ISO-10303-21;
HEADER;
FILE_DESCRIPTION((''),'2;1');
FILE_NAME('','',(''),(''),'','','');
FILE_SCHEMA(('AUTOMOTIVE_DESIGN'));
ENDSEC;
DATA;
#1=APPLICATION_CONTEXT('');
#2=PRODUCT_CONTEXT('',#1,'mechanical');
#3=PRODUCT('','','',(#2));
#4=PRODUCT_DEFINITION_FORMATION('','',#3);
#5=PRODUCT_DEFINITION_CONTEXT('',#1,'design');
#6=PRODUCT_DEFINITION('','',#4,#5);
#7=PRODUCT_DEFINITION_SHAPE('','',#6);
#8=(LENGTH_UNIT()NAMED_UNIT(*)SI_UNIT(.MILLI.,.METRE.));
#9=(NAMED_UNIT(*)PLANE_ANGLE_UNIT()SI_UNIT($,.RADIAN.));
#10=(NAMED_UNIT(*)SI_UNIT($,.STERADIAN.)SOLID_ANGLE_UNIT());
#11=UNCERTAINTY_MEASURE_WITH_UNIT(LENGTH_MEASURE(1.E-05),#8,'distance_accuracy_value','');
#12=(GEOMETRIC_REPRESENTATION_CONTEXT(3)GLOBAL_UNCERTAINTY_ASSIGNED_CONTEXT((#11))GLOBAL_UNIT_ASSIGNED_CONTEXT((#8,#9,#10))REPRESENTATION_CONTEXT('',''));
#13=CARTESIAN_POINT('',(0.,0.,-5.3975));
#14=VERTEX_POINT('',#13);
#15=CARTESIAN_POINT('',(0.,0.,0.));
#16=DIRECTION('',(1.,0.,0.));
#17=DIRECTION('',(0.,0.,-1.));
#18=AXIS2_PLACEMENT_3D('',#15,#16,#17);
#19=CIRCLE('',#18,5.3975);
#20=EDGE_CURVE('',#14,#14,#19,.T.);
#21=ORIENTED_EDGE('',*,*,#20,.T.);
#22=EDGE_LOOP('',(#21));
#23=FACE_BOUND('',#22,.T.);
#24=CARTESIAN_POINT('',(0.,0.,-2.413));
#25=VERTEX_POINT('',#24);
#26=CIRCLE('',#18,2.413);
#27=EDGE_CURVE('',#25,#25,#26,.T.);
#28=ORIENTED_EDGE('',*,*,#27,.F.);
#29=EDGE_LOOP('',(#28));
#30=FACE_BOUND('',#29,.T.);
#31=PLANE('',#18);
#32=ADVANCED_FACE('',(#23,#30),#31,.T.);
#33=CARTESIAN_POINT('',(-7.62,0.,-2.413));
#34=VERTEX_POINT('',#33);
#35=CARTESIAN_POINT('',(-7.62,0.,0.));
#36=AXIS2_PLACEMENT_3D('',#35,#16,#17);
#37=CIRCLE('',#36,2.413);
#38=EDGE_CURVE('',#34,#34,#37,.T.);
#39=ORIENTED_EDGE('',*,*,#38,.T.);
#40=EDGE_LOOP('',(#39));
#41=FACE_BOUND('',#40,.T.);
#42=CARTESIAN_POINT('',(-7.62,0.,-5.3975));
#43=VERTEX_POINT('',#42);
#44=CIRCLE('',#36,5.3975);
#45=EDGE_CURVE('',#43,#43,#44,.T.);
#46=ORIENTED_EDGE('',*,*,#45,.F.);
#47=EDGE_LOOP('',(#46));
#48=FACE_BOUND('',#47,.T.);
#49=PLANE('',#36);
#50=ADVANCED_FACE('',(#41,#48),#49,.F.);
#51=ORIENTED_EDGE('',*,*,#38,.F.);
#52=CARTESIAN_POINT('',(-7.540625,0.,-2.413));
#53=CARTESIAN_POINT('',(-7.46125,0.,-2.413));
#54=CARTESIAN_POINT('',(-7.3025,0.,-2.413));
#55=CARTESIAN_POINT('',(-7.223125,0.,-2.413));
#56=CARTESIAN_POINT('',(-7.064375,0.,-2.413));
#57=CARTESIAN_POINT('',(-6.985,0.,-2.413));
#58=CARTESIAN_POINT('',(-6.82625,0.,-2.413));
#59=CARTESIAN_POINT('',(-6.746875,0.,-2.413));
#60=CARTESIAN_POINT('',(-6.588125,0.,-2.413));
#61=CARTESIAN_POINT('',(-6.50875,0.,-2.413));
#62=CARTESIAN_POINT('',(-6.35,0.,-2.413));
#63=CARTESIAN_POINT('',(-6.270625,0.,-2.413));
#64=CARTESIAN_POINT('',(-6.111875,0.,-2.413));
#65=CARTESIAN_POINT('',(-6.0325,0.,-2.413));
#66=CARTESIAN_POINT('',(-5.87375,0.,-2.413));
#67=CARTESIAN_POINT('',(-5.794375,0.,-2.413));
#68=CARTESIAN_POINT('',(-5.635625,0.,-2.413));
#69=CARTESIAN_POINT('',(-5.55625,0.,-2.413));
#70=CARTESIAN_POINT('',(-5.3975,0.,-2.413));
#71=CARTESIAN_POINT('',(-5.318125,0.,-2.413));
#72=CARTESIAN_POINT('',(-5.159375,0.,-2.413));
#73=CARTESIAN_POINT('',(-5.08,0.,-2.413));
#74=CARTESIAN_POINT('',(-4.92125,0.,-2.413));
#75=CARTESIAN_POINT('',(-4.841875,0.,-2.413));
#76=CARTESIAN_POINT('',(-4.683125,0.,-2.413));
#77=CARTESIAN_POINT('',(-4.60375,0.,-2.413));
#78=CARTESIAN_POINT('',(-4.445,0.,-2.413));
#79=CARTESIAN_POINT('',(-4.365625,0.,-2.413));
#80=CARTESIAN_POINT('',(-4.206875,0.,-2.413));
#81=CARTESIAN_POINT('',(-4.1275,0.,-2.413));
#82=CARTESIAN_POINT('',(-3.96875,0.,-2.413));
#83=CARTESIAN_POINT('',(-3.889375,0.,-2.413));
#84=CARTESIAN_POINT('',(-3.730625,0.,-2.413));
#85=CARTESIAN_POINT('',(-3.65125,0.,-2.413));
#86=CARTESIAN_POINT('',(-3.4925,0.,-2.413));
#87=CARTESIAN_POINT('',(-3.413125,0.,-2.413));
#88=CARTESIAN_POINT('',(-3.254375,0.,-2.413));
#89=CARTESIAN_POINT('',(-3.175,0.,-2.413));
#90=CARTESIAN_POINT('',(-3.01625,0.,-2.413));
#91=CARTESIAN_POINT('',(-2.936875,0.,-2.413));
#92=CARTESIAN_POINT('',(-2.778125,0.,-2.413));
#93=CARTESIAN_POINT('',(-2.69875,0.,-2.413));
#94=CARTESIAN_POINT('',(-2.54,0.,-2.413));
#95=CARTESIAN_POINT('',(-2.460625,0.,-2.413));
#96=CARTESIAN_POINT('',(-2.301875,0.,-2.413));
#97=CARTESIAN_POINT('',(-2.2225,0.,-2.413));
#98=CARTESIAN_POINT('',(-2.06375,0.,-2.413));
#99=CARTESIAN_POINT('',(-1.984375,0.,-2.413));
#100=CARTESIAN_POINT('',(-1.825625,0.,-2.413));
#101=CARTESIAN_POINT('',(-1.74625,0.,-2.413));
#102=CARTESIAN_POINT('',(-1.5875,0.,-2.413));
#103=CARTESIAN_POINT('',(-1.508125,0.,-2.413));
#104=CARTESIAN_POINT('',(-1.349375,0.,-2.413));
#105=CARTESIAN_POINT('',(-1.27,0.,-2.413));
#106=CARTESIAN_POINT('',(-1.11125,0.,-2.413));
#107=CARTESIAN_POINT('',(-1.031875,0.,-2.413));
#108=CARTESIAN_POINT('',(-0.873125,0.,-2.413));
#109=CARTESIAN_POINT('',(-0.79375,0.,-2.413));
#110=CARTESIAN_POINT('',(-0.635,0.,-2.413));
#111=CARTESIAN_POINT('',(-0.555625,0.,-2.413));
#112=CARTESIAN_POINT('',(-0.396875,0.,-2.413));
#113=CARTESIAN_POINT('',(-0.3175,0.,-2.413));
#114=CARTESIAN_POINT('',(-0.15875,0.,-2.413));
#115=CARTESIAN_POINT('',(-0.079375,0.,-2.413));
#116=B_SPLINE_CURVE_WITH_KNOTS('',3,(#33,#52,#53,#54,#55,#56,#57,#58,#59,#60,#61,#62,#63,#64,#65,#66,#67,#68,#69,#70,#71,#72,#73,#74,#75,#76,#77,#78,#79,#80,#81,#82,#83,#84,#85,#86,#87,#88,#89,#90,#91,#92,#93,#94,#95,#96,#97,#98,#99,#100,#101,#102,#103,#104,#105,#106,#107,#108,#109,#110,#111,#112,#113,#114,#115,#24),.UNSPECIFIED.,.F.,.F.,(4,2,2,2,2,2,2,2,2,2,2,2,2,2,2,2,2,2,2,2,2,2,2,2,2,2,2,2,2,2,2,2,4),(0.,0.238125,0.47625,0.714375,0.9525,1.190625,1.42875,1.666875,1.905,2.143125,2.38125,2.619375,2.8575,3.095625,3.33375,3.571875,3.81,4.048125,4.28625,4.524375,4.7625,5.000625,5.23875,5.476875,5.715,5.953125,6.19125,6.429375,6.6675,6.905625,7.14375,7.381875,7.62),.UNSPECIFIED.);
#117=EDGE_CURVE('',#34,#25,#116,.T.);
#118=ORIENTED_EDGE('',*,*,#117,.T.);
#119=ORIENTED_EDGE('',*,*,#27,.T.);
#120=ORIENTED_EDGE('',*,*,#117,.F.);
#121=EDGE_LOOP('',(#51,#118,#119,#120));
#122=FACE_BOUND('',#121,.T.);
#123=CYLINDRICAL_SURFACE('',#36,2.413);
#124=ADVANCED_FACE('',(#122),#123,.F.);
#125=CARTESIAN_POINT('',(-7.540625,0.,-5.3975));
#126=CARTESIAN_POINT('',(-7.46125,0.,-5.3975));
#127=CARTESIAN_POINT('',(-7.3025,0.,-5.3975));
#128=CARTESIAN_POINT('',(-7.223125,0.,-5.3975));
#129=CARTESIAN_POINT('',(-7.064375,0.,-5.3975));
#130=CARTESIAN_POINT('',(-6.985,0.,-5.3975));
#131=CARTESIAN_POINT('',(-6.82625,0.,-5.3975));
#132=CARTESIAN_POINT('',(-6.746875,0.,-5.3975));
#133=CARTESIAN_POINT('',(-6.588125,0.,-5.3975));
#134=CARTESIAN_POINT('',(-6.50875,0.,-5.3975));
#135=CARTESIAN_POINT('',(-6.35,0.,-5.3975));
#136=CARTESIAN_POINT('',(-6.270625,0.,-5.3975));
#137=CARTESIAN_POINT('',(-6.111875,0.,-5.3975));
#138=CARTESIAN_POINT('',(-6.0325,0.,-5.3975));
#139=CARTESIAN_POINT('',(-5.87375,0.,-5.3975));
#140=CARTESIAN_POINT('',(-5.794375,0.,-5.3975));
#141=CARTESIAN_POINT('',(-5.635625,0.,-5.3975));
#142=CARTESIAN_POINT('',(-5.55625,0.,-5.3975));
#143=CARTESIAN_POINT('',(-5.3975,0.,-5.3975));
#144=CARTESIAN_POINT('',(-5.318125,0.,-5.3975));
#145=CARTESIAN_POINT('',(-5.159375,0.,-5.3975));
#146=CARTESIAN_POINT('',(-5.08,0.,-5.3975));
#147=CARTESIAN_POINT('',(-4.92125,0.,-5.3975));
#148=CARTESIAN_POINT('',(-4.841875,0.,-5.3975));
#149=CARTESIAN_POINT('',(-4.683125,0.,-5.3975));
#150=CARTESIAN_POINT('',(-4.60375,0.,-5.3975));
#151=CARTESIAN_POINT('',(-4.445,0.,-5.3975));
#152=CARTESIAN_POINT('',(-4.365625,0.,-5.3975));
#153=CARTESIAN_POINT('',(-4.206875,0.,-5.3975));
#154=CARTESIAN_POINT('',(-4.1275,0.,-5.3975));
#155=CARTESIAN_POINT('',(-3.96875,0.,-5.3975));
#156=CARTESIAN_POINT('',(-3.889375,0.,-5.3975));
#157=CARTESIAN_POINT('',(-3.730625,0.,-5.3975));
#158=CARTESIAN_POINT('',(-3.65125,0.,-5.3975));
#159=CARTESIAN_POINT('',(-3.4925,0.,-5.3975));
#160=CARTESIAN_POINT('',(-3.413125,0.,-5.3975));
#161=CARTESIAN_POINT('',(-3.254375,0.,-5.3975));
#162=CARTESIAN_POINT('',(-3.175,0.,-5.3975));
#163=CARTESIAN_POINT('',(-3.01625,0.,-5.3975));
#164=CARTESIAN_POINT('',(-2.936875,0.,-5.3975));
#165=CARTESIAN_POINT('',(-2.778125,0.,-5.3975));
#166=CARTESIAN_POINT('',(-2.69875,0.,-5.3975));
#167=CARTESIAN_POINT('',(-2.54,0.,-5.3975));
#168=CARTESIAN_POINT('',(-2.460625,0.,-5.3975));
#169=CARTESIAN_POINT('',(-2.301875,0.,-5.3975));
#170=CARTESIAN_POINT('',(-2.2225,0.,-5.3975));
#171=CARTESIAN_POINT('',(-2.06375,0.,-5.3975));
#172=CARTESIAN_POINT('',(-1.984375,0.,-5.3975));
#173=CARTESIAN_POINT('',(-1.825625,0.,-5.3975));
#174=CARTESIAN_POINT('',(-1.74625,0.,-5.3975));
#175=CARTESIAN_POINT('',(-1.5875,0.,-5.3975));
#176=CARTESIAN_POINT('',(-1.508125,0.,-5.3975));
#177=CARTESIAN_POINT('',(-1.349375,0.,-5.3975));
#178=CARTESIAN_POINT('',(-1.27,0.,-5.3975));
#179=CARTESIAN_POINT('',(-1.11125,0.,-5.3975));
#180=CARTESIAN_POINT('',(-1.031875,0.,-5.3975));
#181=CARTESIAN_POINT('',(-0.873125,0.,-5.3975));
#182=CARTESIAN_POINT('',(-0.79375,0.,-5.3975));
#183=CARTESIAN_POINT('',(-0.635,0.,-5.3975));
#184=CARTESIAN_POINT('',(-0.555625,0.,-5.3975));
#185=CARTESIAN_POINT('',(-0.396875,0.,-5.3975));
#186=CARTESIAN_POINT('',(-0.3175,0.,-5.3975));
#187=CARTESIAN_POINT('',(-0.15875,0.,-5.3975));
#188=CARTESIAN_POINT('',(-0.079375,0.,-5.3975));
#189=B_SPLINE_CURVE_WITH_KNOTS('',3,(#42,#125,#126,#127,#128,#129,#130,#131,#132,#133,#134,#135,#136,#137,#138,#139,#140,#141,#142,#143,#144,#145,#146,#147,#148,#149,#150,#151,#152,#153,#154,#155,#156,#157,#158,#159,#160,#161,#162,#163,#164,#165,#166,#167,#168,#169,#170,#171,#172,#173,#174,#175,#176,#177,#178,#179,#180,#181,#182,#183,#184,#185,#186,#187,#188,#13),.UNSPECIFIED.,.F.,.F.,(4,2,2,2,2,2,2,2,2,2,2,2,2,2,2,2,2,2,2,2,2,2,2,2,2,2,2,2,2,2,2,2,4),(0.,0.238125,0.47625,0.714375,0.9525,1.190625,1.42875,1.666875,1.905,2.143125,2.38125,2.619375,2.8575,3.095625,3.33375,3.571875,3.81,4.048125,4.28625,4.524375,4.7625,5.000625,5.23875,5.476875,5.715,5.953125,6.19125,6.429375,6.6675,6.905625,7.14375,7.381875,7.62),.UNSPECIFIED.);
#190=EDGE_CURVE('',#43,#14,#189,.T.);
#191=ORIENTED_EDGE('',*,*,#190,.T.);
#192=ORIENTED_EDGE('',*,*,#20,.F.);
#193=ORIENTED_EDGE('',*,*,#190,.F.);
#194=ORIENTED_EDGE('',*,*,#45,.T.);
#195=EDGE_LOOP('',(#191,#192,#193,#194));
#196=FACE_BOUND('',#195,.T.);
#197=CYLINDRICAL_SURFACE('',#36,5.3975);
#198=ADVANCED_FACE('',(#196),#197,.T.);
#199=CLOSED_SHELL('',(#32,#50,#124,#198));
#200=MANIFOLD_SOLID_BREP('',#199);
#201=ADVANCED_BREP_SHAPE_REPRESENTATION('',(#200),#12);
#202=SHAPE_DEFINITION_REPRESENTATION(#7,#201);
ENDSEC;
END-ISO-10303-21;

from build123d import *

# Parameters (mm, degrees)
CROQUIS1_R              = 5.3975
CROQUIS1_R_2            = 2.413
SALIENTE_EXTRUIR1_DEPTH = 7.62


with BuildPart() as part:
    # Croquis1 → Saliente-Extruir1 (new body)
    with BuildSketch(Plane(origin=(0, 0, 0), x_dir=(0, 0, -1), z_dir=(1, 0, 0))):
        Circle(CROQUIS1_R)
        Circle(CROQUIS1_R_2, mode=Mode.SUBTRACT)
    extrude(amount=-SALIENTE_EXTRUIR1_DEPTH)


solid = part.part
